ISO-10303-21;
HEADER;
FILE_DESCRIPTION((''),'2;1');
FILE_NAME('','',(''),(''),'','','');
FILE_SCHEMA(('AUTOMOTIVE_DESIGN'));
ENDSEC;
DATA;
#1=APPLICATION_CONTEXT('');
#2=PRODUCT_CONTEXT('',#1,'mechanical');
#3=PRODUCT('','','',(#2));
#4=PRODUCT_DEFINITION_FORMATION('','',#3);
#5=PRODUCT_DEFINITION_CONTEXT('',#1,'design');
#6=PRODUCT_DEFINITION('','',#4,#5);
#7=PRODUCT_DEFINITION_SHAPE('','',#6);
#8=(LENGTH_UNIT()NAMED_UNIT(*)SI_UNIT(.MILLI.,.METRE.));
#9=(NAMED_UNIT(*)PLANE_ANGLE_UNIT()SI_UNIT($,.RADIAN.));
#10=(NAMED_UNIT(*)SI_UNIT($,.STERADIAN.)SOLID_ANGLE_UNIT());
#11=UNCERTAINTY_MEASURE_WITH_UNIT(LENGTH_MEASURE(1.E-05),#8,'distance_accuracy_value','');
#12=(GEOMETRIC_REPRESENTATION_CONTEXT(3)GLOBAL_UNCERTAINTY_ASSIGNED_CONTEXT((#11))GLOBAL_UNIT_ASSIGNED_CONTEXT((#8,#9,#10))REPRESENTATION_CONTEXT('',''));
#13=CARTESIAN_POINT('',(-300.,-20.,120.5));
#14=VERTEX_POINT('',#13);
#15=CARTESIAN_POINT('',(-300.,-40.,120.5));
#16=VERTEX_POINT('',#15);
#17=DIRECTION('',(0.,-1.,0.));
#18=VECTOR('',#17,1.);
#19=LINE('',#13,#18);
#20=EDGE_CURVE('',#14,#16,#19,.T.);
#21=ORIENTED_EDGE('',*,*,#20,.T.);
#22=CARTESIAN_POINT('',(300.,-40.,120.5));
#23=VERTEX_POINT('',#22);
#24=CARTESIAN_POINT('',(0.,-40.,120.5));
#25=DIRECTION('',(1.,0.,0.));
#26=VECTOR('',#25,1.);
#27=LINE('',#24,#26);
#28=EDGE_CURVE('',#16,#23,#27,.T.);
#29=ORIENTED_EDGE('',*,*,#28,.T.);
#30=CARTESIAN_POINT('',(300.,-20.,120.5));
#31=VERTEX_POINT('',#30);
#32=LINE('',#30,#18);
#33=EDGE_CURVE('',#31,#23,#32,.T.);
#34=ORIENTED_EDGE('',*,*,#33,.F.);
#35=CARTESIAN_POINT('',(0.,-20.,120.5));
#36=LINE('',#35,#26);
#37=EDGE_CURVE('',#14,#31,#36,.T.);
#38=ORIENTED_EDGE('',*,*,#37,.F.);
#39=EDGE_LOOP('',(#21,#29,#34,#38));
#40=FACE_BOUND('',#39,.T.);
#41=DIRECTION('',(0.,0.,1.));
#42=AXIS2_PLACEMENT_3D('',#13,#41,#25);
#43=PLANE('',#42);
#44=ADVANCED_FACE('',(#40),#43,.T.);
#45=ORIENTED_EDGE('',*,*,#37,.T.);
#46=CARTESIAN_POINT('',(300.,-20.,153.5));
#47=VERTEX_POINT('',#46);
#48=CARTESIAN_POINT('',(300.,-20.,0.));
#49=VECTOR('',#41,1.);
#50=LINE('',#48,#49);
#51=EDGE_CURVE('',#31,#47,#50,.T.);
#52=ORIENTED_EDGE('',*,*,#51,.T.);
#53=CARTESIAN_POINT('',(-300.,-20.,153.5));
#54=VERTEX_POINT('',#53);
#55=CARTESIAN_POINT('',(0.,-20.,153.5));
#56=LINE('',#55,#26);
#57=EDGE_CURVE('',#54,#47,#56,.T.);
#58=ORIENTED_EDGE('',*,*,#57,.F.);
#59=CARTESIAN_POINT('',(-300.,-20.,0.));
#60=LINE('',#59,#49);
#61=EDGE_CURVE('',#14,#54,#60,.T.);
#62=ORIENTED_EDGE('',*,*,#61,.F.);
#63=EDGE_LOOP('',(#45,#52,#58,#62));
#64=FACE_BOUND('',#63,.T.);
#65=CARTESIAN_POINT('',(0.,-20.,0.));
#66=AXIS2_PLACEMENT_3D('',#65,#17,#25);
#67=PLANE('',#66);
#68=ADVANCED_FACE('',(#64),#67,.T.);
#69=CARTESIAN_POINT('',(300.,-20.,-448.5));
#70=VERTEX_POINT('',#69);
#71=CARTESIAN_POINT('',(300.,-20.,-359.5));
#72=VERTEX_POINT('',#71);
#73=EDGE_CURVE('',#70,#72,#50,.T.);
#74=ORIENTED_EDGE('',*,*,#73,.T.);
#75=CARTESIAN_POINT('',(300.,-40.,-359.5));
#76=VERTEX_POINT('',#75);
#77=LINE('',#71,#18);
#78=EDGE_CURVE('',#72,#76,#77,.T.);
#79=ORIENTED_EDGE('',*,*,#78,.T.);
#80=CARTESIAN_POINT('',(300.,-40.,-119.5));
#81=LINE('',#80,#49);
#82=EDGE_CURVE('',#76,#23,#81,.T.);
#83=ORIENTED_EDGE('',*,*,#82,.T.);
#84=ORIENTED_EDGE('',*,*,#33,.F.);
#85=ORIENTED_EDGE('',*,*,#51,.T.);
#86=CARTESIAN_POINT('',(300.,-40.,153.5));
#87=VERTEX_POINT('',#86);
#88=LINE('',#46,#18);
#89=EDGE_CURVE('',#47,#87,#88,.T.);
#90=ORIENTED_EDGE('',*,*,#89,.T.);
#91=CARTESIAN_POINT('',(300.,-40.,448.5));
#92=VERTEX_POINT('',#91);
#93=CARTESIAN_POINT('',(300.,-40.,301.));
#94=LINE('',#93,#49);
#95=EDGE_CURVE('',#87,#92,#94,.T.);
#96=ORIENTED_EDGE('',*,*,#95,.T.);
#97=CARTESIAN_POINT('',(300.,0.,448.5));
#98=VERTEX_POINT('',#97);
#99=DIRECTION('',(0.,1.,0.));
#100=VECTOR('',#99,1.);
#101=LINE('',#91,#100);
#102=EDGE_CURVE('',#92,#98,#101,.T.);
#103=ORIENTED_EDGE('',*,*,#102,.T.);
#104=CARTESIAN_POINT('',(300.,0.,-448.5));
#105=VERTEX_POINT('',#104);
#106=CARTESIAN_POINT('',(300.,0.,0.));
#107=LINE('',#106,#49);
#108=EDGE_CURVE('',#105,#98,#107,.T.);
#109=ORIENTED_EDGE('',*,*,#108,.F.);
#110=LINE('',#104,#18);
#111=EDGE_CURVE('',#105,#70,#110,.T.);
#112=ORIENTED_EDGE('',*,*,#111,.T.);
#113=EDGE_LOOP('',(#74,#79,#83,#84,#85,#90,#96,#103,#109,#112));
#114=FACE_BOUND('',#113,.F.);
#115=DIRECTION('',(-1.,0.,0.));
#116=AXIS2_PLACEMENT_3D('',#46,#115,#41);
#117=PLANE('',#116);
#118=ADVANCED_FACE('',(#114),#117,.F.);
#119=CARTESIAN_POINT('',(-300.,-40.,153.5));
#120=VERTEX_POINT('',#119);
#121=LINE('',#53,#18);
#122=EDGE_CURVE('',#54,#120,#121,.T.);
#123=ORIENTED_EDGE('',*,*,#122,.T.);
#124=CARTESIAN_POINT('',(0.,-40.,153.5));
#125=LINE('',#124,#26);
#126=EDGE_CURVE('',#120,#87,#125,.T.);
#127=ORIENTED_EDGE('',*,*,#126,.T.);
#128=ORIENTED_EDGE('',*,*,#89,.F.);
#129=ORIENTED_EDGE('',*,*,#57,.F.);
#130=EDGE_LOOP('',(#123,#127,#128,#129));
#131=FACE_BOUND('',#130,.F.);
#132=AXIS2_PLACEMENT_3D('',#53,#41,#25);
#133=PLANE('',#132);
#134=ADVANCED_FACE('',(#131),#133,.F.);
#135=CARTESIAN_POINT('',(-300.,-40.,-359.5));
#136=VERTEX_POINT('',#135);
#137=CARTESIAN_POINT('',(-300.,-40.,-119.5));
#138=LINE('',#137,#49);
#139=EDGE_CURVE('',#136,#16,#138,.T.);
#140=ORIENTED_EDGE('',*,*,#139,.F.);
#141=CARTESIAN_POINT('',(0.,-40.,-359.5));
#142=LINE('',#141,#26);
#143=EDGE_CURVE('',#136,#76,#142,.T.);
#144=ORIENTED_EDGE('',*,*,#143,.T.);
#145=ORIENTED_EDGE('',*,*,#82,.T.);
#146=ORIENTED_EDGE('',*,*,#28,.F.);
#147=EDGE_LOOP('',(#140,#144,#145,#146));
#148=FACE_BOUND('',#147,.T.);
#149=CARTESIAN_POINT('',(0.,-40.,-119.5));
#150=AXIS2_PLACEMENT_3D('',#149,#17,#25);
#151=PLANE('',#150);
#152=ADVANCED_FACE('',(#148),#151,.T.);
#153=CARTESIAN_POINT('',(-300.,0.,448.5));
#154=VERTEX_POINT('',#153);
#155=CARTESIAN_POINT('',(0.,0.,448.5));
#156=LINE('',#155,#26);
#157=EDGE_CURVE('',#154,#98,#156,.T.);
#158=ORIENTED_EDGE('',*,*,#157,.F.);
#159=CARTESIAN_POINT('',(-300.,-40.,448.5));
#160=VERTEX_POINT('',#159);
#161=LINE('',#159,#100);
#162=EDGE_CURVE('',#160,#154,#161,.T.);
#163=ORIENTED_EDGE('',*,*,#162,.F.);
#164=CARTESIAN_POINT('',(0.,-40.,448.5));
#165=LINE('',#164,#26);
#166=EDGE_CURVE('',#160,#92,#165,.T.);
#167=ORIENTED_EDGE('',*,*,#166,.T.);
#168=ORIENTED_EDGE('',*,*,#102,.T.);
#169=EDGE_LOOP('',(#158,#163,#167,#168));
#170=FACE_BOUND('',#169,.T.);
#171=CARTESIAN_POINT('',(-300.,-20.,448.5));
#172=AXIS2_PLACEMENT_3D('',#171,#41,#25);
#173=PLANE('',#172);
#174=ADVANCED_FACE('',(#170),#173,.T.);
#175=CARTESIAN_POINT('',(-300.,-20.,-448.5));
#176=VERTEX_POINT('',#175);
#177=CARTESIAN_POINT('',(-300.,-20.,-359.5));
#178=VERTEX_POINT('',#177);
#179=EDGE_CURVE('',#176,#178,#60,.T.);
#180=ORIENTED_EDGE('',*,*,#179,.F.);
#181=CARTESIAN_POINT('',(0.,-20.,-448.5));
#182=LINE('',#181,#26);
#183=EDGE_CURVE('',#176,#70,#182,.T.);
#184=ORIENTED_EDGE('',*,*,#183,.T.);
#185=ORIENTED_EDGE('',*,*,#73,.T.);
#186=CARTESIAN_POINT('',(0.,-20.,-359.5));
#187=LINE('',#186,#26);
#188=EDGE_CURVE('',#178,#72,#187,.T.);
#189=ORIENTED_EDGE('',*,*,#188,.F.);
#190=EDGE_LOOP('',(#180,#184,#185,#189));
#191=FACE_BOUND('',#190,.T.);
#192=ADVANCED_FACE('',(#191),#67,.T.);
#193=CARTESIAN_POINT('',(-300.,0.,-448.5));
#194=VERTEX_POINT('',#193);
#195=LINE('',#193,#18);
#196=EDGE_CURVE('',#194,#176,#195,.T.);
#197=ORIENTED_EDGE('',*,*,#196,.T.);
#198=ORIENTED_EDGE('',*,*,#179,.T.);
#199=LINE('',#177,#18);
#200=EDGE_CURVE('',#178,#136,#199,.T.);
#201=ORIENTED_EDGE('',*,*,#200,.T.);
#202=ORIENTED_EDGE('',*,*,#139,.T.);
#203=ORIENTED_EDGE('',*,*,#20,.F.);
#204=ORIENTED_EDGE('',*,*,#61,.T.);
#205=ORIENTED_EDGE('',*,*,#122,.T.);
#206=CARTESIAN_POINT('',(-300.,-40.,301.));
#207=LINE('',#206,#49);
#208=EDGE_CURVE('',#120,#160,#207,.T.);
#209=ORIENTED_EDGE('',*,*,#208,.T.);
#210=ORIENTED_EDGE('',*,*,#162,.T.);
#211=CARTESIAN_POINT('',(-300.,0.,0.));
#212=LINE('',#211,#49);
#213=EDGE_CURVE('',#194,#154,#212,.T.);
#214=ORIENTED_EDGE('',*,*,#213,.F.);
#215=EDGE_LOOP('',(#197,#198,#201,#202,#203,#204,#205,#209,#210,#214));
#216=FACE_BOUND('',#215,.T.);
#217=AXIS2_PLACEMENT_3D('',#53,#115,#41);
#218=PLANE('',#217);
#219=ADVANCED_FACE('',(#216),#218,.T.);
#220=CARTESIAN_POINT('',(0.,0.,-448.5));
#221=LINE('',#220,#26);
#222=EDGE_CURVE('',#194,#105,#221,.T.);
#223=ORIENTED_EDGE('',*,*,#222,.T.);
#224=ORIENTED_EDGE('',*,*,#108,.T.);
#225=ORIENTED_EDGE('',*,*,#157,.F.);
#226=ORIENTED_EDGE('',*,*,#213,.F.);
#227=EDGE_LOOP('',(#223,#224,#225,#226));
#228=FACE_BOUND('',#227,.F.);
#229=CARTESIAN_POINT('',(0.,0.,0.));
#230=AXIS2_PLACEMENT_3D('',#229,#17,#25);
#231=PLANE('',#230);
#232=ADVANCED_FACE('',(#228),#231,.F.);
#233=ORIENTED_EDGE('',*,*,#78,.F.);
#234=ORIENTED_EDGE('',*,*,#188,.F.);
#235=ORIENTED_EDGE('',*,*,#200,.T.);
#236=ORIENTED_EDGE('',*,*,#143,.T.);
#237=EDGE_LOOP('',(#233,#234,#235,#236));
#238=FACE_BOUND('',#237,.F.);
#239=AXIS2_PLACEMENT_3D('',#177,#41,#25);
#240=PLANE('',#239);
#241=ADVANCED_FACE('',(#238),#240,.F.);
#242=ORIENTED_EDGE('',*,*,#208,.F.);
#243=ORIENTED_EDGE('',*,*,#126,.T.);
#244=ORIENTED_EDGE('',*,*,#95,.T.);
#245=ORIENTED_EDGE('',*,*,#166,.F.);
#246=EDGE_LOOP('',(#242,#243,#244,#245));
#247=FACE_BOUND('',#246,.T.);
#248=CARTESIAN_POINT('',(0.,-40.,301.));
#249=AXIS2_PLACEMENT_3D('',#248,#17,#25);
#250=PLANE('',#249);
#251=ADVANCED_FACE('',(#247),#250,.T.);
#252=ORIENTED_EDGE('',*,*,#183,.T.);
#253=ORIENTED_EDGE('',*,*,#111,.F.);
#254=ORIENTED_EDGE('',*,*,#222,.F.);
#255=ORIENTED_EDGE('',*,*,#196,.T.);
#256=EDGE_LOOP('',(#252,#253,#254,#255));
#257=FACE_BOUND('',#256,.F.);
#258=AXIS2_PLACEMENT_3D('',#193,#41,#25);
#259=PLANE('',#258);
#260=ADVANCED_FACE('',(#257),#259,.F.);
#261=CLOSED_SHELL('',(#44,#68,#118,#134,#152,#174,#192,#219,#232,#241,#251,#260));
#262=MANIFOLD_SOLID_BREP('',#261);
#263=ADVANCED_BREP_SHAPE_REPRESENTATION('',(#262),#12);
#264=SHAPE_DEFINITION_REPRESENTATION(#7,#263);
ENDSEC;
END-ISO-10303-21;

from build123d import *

# Parameters (mm, degrees)
F0_W     = 600
F0_H     = 897
F1_DEPTH = 20
F2_W     = 600
F2_H     = 295
F2_H_2   = 480
F3_DEPTH = 20


with BuildPart() as f1:
    # F0 (on Front) → F1 (new body)
    with BuildSketch(Plane.XZ):
        Rectangle(F0_W, F0_H)
    extrude(amount=F1_DEPTH)

    # F2 (on face) → F3 (join)
    with BuildSketch(Plane.XZ.offset(20)):
        with Locations((0, 301)):
            Rectangle(F2_W, F2_H)
        with Locations((0, -119.5)):
            Rectangle(F2_W, F2_H_2)
    extrude(amount=F3_DEPTH)


solid = f1.part
